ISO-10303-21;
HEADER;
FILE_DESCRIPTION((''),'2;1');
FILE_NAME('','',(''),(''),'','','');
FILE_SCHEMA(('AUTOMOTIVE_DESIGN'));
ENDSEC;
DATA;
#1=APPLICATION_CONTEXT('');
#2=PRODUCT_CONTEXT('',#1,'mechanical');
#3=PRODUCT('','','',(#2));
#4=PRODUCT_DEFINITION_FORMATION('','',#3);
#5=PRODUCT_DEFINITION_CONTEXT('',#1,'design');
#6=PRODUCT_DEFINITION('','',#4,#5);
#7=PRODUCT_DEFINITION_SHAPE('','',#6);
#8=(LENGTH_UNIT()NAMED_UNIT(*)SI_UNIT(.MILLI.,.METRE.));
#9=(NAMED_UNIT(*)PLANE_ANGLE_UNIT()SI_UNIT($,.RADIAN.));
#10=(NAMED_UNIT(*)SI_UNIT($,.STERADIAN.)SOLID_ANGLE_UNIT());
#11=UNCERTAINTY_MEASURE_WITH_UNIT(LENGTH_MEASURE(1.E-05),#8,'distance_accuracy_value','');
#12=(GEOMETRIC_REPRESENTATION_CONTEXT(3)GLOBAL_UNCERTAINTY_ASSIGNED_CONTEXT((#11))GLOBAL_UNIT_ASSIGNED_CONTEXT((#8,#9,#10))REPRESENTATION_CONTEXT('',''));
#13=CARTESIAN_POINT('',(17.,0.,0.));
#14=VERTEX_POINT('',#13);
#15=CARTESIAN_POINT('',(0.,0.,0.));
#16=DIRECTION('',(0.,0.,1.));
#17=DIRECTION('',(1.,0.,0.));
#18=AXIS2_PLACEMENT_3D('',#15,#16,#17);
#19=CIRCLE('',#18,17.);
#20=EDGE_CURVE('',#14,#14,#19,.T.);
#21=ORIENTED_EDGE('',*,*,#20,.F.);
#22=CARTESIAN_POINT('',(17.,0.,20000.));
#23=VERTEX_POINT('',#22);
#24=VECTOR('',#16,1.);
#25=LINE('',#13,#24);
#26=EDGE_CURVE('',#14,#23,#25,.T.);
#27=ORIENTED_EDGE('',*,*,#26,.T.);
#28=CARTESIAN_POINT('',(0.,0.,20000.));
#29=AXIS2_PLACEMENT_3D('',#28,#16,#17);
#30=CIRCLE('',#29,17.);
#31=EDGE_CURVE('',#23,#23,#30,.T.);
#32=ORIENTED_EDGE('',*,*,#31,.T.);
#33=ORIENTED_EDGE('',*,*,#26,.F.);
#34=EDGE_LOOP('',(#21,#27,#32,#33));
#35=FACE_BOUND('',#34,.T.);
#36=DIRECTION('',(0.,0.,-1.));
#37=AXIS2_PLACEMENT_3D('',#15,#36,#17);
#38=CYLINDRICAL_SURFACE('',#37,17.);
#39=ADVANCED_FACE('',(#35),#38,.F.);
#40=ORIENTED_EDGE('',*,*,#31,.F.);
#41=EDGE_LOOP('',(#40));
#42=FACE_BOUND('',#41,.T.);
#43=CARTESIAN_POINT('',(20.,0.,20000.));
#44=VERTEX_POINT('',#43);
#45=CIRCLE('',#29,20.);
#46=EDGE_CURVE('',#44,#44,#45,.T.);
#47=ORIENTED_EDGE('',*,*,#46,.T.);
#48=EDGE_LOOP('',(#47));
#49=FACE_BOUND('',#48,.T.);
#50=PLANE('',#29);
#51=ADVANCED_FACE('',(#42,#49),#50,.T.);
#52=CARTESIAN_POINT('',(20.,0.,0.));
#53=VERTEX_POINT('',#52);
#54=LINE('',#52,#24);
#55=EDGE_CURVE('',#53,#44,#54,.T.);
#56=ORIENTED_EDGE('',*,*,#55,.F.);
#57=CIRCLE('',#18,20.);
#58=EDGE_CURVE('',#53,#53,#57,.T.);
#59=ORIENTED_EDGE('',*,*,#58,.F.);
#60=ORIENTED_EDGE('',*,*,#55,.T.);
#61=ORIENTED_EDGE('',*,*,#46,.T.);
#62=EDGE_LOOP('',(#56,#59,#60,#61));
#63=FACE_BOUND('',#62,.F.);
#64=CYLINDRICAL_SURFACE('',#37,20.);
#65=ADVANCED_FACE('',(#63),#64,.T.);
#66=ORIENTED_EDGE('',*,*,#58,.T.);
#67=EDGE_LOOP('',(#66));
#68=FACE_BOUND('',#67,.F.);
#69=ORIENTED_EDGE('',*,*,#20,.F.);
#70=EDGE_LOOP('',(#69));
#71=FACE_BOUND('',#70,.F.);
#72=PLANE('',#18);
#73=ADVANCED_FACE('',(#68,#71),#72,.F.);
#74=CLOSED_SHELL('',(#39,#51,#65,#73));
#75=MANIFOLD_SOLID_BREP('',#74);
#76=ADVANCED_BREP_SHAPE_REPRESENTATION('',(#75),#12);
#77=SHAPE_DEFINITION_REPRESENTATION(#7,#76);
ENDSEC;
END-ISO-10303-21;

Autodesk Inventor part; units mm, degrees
ref_plane "YZ Plane" through (0, 0, 0) normal (1, 0, 0) x (0, 1, 0)
ref_plane "XZ Plane" through (0, 0, 0) normal (0, 1, 0) x (-1, 0, 0)
ref_plane "XY Plane" through (0, 0, 0) normal (0, 0, 1) x (1, 0, 0)
sketch "Sketch1" plane through (0, 0, 0) normal (0, 0, 1) x (1, 0, 0)
  circle A0 centre (0, 0) radius 17
  circle A1 centre (0, 0) radius 20
  dimension "d0" = 34
  dimension "d1" = 3
extrude "Extrusion1" add sketch "Sketch1" along normal blind 20000
properties part number "pipe1.5m" material "ABS Plastic"
